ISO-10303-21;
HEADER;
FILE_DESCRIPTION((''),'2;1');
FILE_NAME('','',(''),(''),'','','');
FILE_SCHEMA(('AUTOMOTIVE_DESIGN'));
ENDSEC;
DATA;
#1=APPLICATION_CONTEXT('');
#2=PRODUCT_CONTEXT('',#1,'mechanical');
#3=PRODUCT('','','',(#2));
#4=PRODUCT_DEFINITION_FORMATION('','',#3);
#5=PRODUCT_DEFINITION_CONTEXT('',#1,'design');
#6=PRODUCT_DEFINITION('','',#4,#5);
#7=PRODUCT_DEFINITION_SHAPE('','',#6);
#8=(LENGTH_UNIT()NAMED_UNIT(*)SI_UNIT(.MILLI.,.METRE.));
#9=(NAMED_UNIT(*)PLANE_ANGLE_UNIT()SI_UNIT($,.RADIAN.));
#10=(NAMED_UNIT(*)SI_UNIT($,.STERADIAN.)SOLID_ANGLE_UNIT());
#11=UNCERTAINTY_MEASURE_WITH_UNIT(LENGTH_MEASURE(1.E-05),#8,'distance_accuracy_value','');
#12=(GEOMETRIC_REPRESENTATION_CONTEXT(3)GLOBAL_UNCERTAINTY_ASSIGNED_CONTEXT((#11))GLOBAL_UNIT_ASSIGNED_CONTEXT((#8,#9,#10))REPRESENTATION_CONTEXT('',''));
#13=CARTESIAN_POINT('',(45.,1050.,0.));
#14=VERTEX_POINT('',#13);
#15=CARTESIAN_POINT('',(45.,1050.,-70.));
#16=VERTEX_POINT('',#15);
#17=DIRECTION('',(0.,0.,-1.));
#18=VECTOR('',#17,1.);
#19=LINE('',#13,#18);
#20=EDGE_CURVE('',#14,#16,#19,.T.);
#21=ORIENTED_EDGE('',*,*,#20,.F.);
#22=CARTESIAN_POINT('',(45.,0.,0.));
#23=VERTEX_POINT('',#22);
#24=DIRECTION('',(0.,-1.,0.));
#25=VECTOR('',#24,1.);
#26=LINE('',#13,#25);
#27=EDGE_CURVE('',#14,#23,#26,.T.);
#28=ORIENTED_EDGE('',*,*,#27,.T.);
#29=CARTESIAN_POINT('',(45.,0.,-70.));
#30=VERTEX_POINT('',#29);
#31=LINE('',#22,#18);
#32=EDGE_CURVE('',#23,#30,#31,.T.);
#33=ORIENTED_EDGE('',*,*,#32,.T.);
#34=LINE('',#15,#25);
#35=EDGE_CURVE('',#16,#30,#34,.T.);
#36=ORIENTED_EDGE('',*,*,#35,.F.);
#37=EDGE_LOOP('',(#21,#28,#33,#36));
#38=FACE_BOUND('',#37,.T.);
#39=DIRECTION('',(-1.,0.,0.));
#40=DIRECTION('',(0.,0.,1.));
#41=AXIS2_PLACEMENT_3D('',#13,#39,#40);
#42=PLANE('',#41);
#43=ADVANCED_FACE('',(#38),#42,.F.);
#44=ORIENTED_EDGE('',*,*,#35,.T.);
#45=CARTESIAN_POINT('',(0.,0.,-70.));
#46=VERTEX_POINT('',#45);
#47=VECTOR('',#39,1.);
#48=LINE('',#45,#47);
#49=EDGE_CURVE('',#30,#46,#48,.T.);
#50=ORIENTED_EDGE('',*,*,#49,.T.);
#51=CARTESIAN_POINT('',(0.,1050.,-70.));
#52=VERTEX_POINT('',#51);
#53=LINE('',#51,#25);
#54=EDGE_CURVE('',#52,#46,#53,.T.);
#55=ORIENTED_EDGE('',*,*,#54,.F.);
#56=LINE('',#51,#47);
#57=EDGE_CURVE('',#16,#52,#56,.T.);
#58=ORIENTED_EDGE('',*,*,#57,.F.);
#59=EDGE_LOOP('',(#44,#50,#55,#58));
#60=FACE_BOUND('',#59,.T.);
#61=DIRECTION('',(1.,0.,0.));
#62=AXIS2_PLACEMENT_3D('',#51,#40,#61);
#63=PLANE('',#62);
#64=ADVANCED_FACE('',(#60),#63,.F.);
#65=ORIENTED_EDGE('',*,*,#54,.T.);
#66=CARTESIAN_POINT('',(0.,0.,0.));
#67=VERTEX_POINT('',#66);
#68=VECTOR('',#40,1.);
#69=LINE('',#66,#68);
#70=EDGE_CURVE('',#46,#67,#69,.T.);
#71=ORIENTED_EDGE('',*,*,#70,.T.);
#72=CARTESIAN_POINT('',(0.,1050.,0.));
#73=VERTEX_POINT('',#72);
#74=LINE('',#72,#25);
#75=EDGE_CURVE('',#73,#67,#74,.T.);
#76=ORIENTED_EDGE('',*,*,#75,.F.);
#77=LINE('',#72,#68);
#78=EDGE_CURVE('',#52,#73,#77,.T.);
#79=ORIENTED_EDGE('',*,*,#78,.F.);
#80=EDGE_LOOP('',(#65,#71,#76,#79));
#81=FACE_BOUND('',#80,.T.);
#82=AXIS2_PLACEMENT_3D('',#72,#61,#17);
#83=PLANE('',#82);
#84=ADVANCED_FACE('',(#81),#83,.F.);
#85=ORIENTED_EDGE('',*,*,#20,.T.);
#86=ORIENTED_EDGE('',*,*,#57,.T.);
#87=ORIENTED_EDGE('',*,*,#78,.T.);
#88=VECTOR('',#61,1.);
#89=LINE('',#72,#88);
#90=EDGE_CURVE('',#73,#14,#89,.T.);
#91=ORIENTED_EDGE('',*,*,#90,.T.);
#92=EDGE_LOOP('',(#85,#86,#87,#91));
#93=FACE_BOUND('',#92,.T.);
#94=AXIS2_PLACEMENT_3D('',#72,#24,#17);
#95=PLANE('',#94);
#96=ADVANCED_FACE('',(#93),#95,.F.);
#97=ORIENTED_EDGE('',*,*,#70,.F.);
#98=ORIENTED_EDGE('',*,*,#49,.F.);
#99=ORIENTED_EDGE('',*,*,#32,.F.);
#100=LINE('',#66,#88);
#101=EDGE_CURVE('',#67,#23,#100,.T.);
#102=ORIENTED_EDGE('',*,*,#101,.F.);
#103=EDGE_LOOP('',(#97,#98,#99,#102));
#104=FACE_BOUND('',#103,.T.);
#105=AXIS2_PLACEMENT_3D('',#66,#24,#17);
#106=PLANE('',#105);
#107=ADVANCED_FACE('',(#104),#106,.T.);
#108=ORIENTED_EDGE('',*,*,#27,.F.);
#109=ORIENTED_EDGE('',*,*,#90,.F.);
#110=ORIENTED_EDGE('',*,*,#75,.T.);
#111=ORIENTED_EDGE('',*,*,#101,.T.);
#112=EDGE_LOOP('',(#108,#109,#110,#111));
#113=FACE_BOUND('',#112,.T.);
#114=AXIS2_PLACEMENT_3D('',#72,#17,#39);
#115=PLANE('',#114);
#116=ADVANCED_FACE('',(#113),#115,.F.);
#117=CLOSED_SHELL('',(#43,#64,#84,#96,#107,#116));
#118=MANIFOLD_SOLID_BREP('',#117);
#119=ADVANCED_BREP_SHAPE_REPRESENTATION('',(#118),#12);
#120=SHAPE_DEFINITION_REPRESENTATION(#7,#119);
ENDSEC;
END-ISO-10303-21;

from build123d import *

# Parameters (mm, degrees)
SKETCH1_W           = 45
SKETCH1_H           = 70
BOSS_EXTRUDE1_DEPTH = 1050


with BuildPart() as part:
    # Sketch1 → Boss-Extrude1 (new body)
    with BuildSketch(Plane(origin=(0, 0, 0), x_dir=(1, 0, 0), z_dir=(0, 1, 0))):
        with Locations((22.5, 35)):
            Rectangle(SKETCH1_W, SKETCH1_H)
    extrude(amount=BOSS_EXTRUDE1_DEPTH)


solid = part.part
